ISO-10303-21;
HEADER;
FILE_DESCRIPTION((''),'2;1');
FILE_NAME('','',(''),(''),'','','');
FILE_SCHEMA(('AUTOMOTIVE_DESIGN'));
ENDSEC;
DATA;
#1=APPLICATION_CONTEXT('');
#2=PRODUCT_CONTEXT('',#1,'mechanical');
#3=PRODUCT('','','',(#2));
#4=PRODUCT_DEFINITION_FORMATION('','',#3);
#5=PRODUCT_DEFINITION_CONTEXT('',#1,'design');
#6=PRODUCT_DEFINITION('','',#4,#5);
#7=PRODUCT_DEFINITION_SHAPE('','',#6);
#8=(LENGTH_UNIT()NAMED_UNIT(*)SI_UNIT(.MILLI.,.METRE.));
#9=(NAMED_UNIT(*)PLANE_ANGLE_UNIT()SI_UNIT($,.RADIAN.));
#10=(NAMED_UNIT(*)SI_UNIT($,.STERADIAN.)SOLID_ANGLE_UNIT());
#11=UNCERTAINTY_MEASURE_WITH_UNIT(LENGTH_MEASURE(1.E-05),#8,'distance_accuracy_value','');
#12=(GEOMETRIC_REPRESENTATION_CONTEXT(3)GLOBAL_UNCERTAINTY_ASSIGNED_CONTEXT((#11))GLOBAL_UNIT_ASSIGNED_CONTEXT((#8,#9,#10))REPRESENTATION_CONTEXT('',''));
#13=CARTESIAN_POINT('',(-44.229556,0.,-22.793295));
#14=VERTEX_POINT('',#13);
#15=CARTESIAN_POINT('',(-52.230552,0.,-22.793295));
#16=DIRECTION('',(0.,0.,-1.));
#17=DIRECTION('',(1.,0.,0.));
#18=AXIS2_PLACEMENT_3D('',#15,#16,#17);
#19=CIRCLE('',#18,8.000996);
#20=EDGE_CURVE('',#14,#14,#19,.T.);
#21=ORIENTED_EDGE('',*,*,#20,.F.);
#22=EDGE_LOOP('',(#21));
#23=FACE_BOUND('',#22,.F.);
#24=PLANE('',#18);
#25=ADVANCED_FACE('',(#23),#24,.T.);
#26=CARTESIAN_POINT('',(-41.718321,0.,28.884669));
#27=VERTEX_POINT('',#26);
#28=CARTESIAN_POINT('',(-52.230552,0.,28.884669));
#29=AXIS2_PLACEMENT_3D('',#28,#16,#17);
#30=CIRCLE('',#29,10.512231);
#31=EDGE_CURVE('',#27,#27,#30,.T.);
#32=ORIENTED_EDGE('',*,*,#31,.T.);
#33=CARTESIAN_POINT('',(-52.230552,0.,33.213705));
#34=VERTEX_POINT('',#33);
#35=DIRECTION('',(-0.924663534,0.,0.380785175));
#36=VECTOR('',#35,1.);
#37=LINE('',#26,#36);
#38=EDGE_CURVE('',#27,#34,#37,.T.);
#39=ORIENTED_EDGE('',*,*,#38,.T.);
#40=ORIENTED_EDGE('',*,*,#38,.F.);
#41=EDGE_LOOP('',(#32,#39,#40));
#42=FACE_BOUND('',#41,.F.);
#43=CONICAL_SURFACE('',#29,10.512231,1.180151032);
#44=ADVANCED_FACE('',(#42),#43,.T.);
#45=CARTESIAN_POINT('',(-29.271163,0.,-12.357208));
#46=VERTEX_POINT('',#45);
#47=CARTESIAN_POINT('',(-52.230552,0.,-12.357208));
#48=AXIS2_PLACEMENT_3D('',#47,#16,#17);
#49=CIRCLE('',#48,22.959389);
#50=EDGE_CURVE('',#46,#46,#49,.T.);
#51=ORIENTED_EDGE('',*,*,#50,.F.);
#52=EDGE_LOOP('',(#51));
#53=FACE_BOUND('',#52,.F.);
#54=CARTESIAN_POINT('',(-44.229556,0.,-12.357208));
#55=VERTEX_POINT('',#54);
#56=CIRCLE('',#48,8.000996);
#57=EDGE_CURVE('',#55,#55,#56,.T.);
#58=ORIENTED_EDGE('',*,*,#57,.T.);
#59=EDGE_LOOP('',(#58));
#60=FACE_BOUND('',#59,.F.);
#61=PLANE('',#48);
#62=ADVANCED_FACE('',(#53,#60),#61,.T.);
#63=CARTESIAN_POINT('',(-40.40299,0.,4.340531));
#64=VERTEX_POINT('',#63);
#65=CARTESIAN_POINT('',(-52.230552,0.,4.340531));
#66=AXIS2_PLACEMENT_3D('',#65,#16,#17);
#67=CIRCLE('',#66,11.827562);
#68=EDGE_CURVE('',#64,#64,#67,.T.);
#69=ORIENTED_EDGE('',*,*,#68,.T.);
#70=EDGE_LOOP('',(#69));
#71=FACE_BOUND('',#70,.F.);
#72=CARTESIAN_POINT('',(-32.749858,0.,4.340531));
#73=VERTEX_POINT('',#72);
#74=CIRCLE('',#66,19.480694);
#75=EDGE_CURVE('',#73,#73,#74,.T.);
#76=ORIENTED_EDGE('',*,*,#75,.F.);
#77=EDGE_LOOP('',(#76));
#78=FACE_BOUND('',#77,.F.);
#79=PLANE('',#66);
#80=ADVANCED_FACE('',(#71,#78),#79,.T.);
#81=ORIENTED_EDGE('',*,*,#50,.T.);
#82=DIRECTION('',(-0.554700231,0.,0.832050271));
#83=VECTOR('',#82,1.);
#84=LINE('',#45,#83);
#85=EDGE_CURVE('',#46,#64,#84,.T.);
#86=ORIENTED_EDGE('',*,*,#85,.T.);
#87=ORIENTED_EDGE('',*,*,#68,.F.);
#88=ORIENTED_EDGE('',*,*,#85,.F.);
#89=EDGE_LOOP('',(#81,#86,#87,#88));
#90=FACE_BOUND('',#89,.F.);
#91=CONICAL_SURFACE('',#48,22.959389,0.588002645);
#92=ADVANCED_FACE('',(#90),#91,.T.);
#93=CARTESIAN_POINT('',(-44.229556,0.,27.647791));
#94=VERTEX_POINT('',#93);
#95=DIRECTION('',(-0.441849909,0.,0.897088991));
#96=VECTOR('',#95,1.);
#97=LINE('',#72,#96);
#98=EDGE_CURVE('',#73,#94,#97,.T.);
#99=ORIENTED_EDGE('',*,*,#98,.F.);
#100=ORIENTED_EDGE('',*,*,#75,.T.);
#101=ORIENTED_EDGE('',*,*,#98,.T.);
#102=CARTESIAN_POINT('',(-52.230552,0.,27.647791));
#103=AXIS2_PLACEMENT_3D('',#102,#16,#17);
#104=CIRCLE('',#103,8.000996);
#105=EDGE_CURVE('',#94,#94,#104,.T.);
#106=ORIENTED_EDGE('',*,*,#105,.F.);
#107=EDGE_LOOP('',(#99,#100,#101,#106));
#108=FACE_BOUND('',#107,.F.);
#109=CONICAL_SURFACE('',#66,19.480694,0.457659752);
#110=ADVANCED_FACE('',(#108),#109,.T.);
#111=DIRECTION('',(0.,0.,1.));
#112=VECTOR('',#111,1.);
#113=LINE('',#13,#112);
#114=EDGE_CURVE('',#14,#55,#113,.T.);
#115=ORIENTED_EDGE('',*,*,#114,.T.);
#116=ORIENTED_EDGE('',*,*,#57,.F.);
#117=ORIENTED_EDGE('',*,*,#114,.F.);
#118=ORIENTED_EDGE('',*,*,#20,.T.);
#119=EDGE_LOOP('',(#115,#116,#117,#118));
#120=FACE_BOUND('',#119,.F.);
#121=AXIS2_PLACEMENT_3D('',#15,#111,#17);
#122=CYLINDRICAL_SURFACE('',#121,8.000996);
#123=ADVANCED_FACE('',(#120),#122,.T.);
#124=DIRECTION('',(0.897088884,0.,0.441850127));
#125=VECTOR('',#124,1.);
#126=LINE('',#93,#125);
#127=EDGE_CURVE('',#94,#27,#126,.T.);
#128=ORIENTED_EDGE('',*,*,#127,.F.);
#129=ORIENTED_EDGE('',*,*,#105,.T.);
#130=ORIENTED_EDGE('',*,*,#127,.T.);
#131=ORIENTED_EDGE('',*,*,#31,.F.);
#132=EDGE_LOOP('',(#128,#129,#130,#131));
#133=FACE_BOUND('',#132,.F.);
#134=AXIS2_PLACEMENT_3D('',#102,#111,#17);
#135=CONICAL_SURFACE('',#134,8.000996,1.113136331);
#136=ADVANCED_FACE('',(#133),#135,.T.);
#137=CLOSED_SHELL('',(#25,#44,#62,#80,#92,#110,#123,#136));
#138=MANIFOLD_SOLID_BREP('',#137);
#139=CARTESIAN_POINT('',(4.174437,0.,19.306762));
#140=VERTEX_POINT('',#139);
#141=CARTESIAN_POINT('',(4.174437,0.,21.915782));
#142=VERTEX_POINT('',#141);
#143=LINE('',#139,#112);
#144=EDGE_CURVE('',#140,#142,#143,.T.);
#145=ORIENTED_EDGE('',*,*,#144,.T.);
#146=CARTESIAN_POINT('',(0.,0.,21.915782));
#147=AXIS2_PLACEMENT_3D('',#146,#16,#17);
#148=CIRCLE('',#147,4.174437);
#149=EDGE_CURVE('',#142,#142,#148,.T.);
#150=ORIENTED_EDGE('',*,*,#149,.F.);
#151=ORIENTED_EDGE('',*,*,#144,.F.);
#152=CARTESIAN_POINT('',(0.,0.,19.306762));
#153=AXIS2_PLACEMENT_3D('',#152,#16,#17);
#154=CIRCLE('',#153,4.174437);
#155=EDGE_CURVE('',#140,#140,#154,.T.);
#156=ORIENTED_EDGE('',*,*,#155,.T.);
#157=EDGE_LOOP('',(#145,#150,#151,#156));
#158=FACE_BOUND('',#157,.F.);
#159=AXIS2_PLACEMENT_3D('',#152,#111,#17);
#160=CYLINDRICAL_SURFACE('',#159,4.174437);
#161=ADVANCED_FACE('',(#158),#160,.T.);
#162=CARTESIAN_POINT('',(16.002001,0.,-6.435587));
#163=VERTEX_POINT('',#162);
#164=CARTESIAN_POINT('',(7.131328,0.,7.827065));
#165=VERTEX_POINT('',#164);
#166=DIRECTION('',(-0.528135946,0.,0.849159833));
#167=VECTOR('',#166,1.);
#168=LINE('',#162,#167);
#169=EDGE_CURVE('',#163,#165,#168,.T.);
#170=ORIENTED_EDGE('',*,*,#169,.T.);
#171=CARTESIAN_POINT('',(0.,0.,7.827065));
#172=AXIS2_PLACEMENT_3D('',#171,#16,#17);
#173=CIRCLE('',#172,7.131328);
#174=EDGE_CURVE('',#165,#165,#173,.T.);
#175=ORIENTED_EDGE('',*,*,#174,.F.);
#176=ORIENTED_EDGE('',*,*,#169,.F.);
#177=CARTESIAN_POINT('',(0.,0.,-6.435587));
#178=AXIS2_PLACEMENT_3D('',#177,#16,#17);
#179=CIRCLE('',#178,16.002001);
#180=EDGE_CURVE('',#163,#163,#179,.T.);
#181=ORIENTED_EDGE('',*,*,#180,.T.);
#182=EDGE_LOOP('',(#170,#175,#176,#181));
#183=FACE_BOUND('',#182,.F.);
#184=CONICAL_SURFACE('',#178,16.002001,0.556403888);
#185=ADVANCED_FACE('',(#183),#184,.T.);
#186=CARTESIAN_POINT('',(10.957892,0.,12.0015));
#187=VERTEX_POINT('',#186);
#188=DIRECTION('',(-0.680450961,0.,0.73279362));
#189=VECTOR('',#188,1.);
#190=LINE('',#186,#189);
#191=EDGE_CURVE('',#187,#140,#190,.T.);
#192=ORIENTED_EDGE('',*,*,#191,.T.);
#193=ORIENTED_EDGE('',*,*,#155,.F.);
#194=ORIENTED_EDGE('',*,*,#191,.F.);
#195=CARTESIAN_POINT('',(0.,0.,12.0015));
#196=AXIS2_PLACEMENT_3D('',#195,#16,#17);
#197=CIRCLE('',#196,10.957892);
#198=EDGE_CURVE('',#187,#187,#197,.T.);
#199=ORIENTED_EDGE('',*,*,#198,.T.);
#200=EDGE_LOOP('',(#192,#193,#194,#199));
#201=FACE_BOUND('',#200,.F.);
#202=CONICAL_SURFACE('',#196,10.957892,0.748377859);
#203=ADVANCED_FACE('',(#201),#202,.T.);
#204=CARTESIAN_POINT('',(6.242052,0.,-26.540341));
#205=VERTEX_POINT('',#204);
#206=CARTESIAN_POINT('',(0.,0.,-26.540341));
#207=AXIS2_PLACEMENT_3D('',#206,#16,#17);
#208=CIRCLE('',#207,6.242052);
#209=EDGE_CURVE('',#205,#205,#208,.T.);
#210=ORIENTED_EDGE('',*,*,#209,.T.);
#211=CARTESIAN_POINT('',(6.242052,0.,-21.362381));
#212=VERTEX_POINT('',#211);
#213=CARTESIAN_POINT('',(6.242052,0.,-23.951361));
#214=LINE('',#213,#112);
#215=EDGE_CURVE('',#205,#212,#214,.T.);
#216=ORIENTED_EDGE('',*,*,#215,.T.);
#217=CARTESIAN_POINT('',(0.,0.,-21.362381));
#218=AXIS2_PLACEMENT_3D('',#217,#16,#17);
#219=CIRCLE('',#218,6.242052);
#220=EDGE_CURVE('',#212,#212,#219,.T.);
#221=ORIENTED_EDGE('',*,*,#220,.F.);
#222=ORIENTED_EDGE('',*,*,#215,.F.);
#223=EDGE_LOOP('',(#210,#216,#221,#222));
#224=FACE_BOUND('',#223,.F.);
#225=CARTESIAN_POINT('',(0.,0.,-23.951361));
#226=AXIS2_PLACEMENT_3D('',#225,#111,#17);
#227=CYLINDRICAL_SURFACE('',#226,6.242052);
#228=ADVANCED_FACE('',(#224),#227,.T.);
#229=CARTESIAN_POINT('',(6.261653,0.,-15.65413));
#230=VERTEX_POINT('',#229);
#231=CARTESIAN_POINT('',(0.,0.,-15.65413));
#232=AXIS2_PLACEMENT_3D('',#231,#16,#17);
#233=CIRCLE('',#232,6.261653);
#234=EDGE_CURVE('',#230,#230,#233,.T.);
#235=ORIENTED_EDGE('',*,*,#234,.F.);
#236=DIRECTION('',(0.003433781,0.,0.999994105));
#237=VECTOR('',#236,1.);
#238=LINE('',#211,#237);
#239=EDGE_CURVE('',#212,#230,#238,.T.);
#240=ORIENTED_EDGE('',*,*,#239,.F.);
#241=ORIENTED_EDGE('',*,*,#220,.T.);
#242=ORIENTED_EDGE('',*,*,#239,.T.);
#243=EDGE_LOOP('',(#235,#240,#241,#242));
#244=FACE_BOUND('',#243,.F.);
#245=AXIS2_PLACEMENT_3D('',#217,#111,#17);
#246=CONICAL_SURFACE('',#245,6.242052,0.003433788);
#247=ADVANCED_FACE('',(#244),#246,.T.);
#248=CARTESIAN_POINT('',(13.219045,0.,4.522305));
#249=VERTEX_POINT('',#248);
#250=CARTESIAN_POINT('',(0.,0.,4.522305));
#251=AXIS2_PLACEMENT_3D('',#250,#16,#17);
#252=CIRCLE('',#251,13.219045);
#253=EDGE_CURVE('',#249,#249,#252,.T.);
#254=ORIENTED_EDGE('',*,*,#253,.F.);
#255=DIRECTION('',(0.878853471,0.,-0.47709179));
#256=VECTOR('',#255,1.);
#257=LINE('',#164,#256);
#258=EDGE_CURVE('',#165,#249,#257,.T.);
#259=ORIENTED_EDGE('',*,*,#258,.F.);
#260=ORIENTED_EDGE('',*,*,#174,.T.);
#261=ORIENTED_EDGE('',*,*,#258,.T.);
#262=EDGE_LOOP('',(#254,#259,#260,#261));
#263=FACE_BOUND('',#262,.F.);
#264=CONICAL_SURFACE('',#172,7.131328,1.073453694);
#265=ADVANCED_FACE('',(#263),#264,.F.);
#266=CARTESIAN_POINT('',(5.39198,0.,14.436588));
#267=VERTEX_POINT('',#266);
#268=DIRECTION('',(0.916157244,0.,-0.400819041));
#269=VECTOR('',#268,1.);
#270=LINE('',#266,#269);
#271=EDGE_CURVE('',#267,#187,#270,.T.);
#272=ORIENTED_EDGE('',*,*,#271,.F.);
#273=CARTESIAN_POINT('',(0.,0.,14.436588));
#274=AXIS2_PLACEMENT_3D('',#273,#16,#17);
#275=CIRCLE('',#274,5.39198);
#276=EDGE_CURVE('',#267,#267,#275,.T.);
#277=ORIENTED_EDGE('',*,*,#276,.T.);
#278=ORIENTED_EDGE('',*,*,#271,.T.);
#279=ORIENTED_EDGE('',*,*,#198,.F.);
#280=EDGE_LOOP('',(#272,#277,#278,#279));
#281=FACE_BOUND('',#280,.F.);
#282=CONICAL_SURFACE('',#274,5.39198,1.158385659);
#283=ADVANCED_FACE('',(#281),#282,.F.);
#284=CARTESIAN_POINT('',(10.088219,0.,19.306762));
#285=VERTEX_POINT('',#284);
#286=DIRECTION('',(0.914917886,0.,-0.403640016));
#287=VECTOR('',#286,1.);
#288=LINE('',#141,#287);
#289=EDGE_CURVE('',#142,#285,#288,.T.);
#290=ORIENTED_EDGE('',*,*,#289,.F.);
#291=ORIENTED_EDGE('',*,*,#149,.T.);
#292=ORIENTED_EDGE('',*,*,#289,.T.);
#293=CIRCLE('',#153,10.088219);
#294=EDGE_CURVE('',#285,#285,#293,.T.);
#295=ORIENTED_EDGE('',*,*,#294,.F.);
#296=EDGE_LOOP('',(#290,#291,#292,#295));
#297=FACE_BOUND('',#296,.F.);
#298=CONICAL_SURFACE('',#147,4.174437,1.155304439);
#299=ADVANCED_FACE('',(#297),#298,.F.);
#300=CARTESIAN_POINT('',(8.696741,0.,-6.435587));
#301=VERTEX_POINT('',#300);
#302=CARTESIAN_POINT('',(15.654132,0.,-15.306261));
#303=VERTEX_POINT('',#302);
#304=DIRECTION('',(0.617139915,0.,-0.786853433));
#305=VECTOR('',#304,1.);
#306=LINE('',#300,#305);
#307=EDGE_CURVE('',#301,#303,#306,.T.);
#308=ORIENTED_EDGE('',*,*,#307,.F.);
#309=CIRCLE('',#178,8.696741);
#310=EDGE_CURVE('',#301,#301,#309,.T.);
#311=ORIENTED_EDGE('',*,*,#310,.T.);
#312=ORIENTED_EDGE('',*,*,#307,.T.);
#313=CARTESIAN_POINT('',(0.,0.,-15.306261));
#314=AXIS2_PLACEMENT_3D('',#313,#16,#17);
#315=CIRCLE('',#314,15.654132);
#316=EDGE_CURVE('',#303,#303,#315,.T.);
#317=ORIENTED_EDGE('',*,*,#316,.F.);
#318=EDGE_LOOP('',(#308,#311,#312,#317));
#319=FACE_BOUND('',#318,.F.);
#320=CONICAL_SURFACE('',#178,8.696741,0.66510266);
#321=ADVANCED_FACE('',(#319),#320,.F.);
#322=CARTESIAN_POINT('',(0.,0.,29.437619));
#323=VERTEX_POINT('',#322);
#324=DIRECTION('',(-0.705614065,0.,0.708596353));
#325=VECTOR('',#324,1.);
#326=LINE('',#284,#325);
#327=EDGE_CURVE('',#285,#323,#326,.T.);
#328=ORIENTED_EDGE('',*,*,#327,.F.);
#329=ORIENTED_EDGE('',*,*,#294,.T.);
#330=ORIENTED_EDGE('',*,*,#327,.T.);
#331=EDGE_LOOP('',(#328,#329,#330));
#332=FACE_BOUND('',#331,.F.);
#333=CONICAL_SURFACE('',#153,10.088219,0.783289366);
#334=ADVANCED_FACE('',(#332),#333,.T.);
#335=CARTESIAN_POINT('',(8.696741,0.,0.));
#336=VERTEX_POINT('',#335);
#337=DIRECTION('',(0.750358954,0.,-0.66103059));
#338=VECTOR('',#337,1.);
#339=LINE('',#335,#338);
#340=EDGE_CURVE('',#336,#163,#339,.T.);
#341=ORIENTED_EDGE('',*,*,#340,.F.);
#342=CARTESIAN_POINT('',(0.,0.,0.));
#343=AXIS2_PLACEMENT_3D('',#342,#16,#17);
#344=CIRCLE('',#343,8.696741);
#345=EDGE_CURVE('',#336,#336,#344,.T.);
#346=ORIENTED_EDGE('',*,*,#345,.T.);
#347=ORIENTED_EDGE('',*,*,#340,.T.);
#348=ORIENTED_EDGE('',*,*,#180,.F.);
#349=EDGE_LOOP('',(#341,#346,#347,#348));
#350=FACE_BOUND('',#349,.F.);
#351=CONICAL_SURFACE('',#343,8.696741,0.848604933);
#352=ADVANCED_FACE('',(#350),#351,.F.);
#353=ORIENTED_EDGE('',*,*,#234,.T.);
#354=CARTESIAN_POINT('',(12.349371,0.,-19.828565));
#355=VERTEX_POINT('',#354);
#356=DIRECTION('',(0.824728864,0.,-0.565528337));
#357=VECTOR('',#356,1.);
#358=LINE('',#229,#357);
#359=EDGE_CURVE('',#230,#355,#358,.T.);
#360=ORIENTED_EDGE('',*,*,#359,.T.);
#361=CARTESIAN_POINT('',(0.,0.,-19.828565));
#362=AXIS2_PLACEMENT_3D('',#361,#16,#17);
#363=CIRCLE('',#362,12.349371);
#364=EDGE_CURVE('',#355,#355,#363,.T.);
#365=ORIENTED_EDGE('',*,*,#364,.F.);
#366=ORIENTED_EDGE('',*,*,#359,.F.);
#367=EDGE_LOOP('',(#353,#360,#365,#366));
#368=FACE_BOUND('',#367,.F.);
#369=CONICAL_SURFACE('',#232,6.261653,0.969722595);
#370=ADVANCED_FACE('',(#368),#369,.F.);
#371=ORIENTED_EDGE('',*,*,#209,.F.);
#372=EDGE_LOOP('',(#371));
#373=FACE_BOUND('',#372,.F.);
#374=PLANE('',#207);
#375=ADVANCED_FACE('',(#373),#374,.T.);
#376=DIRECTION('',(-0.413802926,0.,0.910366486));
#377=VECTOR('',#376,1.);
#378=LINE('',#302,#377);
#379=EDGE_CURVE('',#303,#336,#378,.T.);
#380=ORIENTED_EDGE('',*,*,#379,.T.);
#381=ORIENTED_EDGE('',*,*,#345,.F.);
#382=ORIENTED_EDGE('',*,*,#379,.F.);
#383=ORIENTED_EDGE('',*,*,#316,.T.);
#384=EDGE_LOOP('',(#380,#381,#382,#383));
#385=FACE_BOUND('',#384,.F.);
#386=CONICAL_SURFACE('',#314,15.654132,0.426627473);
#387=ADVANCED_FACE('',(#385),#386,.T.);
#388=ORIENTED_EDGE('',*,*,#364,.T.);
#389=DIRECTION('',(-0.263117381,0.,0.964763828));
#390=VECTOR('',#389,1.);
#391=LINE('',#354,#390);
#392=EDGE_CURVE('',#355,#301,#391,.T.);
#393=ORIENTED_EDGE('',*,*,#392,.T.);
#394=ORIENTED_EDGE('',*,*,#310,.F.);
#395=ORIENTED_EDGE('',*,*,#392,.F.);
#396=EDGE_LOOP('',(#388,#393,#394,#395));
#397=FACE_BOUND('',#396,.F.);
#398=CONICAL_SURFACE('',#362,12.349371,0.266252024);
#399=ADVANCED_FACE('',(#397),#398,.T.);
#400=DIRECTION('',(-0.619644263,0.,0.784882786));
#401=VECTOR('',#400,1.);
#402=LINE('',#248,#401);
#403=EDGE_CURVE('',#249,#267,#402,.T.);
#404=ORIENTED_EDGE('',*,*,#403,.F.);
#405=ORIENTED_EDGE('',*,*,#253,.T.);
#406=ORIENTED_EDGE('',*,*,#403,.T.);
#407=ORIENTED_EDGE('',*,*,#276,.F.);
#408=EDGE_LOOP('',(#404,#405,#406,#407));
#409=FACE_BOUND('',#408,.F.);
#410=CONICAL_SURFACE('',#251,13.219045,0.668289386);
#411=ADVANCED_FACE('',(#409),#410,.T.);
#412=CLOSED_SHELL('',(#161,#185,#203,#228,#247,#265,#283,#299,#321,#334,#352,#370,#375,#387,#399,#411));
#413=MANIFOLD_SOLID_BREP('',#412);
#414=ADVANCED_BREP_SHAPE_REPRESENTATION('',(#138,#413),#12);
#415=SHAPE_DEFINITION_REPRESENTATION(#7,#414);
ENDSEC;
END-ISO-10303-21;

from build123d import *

# Parameters (mm, degrees)
F0_W = 6.242052
F0_H = 5.17796


with BuildPart() as f1:
    # F0 (on Front) → F1 (revolve)
    with BuildSketch(Plane.XZ):
        Polygon((10.088219, 19.306762), (0, 29.437619), (0, -21.362381), (6.242052, -21.362381), (6.261653, -15.65413), (12.349371, -19.828565), (8.696741, -6.435587), (15.654132, -15.306261), (8.696741, 0), (16.002001, -6.435587), (7.131328, 7.827065), (13.219045, 4.522305), (5.39198, 14.436588), (10.957892, 12.0015), (4.174437, 19.306762), (4.174437, 21.915782), align=None)
        with Locations((3.121026, -23.951361)):
            Rectangle(F0_W, F0_H)
    revolve(axis=Axis((0, 0, 4.037619), (0, 0, -1)))


with BuildPart() as f3:
    # F2 (on Front) → F3 (revolve)
    with BuildSketch(Plane.XZ):
        Polygon((-41.718321, 28.884669), (-52.230552, 33.213705), (-52.230552, -22.793295), (-44.229556, -22.793295), (-44.229556, -12.357208), (-29.271163, -12.357208), (-40.40299, 4.340531), (-32.749858, 4.340531), (-44.229556, 27.647791), align=None)
    revolve(axis=Axis((-52.230552, 0, 10.080379), (0, 0, -1)))


solid = Compound([f1.part, f3.part])
